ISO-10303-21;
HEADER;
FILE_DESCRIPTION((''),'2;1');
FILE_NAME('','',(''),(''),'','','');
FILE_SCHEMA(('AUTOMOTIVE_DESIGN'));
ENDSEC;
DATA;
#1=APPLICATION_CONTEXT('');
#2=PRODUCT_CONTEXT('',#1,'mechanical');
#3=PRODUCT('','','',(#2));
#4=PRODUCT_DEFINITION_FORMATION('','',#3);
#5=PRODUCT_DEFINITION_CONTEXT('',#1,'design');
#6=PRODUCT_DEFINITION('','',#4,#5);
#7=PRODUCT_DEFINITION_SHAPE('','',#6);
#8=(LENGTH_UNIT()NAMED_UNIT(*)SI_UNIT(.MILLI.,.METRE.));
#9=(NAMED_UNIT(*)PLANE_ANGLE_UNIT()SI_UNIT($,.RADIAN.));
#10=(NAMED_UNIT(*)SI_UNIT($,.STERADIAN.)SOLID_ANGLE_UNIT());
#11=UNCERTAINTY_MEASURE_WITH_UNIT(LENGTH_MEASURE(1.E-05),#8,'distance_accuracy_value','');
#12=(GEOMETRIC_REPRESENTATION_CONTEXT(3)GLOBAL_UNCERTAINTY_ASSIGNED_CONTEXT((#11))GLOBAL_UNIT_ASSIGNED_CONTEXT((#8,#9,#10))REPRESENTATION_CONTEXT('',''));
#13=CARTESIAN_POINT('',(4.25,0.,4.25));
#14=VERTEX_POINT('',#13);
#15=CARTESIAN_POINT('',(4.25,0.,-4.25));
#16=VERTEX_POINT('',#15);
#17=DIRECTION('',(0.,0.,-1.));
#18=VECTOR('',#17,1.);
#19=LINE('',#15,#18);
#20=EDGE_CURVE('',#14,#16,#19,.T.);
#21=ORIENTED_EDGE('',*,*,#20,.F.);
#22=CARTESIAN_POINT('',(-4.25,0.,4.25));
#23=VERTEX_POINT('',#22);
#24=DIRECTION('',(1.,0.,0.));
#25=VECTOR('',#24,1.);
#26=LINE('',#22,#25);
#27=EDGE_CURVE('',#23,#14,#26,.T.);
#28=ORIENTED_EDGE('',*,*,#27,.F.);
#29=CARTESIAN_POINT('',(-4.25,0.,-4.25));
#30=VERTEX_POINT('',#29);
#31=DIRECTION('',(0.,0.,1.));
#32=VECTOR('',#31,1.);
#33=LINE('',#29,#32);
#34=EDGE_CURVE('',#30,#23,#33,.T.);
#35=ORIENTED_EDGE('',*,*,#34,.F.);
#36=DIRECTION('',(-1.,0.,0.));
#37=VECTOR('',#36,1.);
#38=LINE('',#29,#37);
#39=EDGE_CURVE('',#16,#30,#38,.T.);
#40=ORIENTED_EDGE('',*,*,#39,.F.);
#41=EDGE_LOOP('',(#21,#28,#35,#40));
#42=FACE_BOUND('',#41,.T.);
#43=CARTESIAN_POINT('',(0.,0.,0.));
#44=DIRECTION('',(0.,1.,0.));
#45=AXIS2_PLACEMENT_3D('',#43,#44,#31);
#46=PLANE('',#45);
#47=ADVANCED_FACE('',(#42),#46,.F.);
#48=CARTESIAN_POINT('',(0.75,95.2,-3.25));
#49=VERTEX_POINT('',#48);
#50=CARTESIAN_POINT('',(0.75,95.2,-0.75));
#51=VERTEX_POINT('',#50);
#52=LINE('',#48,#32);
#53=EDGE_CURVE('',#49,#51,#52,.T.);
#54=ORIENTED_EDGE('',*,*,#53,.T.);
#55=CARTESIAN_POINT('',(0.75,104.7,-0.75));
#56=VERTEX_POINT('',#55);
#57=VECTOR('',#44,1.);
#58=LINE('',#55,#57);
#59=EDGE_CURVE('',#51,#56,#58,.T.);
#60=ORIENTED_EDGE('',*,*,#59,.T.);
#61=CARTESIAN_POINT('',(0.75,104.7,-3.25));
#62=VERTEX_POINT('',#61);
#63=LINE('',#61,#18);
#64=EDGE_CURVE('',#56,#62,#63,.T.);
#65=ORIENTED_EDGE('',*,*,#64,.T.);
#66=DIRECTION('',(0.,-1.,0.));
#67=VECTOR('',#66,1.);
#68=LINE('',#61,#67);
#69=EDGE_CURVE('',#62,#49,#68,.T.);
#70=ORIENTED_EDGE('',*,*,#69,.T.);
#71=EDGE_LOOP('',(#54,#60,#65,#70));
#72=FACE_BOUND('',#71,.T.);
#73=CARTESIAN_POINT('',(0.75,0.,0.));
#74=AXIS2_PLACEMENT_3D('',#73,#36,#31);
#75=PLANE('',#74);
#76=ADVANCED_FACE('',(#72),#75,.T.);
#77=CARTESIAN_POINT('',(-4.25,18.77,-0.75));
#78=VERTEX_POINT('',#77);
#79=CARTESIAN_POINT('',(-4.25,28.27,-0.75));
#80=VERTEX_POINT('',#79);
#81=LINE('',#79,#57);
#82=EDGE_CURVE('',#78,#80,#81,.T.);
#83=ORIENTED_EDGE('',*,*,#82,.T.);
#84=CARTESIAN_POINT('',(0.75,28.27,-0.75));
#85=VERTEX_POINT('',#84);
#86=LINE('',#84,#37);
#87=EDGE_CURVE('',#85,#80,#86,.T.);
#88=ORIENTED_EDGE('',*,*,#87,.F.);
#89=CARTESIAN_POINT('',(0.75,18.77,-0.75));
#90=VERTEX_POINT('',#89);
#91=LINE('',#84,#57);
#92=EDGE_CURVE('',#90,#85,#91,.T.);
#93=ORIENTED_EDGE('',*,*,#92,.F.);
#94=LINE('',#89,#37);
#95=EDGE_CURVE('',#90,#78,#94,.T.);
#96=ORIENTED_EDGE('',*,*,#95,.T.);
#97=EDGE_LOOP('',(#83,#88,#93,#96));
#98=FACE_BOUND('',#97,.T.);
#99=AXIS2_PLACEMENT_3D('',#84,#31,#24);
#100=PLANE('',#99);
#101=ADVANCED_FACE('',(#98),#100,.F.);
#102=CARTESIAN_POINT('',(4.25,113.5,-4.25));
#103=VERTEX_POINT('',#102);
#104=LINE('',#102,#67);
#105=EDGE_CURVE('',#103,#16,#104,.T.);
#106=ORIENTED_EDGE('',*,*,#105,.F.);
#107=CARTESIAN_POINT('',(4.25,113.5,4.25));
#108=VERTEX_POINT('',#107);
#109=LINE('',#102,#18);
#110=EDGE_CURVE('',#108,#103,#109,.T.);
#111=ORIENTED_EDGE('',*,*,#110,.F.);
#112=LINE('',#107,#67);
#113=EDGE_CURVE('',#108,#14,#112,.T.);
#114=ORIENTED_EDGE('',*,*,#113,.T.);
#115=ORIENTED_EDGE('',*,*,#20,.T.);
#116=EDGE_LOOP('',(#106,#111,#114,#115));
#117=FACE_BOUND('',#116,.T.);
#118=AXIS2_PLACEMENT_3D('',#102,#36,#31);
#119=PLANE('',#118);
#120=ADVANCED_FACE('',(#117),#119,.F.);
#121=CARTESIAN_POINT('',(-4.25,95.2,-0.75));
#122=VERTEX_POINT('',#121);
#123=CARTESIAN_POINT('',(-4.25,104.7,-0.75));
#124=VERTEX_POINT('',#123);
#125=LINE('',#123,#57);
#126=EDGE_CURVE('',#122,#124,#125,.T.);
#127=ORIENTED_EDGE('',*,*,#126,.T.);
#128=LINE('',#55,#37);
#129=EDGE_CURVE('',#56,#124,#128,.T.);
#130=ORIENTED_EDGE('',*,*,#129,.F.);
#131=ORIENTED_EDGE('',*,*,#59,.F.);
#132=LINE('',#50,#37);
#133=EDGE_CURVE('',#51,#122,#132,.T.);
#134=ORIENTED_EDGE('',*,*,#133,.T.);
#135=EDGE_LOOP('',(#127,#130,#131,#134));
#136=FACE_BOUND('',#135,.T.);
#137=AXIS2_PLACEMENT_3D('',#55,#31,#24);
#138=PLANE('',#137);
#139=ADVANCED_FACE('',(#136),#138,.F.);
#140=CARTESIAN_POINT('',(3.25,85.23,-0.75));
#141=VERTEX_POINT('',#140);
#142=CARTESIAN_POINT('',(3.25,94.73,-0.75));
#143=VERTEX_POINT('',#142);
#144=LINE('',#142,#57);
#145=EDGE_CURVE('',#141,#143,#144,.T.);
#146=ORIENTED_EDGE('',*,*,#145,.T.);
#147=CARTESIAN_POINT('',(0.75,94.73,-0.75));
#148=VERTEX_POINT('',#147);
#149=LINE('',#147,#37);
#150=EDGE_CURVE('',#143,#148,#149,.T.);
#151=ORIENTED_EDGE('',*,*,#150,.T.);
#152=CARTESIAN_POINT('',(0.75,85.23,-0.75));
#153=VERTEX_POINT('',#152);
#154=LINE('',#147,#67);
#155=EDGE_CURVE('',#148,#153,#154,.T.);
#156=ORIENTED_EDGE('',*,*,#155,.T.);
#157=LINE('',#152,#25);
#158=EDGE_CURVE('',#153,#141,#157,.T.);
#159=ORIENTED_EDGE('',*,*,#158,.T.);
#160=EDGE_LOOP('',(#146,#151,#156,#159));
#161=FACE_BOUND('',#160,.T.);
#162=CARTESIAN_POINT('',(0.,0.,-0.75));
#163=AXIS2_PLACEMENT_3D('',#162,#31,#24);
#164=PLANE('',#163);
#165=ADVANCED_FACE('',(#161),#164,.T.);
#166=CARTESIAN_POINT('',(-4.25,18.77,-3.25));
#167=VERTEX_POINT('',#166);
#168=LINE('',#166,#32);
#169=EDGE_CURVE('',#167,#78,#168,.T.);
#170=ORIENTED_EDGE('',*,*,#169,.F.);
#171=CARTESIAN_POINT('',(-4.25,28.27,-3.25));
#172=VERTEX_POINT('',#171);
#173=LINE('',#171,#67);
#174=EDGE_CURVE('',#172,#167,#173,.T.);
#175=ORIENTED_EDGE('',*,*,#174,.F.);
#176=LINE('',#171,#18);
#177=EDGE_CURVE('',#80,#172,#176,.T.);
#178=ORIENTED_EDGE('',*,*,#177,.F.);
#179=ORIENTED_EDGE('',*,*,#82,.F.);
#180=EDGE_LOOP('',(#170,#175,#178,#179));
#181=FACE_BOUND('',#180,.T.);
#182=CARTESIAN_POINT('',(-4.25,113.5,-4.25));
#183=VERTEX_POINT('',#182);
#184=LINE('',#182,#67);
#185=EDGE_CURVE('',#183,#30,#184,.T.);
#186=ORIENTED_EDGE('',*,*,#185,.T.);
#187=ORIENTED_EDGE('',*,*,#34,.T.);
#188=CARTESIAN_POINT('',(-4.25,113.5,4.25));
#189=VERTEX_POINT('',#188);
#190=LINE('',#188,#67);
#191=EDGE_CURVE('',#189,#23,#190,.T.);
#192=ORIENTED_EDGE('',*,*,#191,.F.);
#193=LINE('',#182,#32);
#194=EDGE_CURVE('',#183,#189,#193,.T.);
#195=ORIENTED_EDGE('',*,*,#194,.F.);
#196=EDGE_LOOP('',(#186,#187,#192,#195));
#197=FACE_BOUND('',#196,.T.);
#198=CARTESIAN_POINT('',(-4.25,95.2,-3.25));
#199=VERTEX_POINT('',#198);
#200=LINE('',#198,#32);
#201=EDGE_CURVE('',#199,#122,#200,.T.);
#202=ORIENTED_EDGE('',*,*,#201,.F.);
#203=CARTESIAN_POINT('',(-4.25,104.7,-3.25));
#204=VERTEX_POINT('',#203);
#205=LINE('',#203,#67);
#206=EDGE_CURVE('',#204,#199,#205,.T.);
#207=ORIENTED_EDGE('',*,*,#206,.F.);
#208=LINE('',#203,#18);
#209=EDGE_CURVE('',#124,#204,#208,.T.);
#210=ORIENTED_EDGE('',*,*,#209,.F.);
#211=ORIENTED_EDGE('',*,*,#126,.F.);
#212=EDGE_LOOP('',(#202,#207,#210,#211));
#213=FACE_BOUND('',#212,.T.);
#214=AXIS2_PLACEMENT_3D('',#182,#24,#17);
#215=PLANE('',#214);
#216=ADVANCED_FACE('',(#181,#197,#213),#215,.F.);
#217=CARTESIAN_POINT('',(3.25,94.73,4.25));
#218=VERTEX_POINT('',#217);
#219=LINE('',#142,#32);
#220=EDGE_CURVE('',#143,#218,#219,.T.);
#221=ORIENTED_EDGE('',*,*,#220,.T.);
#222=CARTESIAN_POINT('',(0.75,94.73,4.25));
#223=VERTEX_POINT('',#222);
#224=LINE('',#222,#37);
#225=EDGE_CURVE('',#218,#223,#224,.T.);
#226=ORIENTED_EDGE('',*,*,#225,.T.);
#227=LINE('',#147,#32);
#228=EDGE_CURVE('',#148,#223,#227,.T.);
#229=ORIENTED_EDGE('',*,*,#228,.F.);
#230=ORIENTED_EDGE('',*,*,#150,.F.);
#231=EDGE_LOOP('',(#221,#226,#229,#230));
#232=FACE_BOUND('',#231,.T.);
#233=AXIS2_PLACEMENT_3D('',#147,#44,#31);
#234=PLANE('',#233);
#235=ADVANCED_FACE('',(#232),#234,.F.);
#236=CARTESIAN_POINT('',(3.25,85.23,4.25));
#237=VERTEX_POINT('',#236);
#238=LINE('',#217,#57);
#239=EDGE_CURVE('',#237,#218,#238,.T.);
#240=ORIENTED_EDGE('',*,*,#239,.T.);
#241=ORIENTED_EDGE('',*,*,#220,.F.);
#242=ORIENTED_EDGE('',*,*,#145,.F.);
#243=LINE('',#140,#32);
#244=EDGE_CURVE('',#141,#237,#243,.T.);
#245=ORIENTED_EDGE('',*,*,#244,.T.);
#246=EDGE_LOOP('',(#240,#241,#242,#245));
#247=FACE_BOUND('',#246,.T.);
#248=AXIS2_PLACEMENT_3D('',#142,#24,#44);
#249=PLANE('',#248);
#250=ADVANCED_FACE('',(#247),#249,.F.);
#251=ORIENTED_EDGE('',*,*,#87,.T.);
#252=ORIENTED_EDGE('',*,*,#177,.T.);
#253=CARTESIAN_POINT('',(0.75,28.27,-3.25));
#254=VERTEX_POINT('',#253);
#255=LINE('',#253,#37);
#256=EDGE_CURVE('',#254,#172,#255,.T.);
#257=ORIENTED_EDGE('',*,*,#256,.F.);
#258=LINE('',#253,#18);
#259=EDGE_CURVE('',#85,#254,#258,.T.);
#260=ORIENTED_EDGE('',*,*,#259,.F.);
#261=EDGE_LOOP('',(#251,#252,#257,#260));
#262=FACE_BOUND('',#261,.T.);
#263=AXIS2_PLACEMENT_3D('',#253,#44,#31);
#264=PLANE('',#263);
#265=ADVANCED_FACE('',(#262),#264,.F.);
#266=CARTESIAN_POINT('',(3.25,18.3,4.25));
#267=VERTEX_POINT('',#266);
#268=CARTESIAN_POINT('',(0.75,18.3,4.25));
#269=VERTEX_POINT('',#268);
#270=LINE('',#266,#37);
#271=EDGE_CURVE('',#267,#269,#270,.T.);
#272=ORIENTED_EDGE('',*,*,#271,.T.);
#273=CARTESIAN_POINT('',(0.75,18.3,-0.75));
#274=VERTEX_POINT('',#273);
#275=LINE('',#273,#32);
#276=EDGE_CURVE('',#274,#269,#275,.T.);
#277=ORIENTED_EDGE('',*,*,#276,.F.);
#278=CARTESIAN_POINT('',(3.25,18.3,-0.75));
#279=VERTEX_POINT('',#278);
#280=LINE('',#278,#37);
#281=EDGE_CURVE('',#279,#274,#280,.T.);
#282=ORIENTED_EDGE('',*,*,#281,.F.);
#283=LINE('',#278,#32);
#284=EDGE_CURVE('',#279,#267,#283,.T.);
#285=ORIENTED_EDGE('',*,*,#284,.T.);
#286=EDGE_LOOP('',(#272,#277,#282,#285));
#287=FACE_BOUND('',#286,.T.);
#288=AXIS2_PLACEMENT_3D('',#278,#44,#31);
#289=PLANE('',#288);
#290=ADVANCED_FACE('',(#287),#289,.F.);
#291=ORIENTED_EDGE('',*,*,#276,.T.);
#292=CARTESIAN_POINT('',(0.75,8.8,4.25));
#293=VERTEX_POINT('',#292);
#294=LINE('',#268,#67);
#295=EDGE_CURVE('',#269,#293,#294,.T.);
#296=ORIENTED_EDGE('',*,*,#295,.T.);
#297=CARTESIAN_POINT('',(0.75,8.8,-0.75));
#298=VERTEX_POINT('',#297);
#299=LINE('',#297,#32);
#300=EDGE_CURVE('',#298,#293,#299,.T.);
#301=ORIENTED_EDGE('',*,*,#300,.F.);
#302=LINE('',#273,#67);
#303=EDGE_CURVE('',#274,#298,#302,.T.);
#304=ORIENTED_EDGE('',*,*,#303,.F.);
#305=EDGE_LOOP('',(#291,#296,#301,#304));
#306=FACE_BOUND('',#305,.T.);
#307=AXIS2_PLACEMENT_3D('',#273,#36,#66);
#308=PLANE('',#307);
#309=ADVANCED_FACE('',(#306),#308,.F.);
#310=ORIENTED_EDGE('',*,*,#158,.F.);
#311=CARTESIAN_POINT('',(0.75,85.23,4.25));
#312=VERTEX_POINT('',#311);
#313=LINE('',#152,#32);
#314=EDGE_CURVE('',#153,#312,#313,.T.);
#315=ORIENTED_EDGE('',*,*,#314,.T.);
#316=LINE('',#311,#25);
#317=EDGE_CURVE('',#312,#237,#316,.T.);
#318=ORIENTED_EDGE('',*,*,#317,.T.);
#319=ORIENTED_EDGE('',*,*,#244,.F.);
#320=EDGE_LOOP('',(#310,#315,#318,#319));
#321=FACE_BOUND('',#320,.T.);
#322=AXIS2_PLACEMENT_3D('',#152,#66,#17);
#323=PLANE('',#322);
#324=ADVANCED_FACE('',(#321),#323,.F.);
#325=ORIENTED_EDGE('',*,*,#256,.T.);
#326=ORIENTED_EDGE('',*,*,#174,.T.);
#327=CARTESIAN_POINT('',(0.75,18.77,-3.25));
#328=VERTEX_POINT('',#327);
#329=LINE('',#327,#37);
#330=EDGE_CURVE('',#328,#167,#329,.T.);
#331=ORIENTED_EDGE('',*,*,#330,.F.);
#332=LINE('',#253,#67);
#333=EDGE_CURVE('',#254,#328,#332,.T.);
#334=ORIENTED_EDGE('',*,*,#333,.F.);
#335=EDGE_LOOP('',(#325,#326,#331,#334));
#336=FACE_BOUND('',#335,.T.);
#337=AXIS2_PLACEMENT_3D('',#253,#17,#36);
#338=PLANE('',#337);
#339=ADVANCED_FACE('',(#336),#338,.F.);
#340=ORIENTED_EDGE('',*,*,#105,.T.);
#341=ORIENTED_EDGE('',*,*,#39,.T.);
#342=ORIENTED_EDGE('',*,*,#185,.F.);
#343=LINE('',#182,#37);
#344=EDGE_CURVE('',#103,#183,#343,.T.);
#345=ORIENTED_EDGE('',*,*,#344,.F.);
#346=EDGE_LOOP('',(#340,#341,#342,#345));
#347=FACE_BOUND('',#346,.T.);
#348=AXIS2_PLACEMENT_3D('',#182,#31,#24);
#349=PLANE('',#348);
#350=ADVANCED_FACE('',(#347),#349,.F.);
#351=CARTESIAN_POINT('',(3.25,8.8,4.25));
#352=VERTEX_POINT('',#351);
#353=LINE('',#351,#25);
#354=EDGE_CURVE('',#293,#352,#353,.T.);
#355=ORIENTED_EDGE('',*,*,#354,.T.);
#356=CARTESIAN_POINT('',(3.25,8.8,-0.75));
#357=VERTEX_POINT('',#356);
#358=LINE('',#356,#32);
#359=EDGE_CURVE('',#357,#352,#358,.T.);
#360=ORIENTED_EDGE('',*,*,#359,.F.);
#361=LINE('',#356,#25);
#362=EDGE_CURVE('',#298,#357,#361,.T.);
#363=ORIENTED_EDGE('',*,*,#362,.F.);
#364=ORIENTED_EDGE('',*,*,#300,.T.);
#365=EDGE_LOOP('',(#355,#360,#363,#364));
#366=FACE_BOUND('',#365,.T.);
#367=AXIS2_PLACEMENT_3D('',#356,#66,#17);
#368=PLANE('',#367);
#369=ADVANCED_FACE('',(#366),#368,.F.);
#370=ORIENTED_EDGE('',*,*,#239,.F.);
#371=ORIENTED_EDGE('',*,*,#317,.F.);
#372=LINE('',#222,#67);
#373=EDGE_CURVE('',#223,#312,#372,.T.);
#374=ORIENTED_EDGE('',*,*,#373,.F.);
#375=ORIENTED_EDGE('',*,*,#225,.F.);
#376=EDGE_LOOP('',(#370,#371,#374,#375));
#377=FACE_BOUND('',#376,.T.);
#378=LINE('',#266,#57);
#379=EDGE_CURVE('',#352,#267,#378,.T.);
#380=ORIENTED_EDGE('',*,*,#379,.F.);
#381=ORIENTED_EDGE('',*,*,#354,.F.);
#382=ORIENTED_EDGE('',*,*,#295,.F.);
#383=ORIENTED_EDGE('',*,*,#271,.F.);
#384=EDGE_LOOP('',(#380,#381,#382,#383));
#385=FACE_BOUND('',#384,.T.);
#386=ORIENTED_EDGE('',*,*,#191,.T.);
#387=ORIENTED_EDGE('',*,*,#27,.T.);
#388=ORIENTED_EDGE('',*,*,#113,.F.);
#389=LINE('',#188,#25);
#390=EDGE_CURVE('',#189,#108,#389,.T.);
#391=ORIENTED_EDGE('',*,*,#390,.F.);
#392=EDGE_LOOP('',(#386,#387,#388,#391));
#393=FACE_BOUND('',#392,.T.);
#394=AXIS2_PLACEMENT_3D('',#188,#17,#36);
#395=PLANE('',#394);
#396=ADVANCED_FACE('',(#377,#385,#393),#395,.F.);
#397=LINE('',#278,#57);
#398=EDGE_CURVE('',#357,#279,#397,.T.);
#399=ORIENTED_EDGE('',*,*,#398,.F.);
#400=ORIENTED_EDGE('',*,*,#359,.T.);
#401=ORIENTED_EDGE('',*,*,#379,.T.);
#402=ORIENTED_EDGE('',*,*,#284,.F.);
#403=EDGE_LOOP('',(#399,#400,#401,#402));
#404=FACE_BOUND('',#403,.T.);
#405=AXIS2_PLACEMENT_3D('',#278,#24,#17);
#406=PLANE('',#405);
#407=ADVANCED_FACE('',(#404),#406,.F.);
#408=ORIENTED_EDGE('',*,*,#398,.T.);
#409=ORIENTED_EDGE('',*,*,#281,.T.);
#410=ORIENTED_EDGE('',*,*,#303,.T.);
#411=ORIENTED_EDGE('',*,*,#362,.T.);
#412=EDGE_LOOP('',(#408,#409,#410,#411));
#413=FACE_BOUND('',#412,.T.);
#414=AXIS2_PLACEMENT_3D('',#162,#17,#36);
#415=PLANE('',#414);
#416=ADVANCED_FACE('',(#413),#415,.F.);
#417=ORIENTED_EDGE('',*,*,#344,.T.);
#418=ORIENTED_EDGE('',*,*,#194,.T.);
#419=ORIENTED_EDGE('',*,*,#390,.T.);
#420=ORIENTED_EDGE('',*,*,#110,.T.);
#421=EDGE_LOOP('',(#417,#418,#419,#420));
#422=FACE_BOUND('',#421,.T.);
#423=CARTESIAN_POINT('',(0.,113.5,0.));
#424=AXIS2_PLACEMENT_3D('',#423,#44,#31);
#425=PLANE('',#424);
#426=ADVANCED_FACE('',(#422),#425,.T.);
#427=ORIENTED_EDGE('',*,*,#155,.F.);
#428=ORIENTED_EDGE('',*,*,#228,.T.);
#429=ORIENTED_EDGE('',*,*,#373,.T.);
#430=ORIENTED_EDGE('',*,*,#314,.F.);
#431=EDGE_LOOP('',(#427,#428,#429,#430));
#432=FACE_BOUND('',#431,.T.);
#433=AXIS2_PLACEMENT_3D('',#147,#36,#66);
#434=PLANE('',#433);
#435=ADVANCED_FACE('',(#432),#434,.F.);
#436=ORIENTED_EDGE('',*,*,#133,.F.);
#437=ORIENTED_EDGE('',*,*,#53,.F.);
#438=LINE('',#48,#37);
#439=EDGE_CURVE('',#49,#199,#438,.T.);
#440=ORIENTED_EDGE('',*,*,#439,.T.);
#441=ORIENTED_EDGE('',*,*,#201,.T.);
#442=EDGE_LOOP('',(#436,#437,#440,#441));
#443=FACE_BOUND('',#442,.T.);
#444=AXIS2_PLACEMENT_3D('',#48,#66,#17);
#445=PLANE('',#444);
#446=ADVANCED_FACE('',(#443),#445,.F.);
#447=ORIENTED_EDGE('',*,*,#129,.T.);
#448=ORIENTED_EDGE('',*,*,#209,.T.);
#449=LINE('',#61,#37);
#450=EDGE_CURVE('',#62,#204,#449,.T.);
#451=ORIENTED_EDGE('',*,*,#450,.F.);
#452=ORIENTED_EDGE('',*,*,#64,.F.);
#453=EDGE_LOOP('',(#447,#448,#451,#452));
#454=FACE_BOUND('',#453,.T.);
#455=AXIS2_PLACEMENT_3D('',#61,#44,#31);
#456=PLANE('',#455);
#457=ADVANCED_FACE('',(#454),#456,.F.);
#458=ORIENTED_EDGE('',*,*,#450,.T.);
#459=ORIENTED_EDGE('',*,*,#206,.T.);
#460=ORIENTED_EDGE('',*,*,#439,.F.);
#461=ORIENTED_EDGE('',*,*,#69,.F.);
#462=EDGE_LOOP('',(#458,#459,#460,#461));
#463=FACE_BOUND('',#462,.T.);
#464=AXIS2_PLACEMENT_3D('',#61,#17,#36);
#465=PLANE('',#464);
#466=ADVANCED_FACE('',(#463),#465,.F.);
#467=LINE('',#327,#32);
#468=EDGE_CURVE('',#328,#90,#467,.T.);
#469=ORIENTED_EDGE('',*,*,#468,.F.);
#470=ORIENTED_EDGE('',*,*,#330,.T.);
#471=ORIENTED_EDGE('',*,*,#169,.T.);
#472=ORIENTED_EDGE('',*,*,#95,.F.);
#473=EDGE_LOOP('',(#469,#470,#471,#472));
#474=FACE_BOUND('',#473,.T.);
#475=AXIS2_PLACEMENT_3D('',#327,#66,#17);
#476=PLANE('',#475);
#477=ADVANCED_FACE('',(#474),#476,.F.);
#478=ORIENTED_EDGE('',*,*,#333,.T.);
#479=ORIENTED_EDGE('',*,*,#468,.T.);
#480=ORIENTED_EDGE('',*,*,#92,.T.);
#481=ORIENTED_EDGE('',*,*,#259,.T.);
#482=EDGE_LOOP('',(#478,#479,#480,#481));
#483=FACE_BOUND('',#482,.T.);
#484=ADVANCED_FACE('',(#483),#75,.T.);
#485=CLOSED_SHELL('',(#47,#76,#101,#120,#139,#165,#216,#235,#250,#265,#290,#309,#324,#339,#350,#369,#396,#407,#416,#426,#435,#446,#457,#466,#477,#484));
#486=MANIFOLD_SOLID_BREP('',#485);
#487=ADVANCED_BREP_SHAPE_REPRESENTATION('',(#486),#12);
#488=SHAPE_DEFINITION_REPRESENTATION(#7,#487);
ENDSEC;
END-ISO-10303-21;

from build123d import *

# Parameters (mm, degrees)
SKETCH1_W           = 8.5
SKETCH1_H           = 8.5
BOSS_EXTRUDE1_DEPTH = 113.5
SKETCH2_W           = 2.5
SKETCH2_H           = 9.5
CUT_EXTRUDE1_DEPTH  = 5
SKETCH3_W           = 2.5
SKETCH3_H           = 9.5
CUT_EXTRUDE2_DEPTH  = 5


with BuildPart() as part:
    # Sketch1 → Boss-Extrude1 (new body)
    with BuildSketch(Plane(origin=(0, 0, 0), x_dir=(1, 0, 0), z_dir=(0, 1, 0))):
        Rectangle(SKETCH1_W, SKETCH1_H)
    extrude(amount=BOSS_EXTRUDE1_DEPTH)

    # Sketch2 → Cut-Extrude1 (cut)
    with BuildSketch(Plane.XY.offset(4.25)):
        with Locations((2, 13.55)):
            Rectangle(SKETCH2_W, SKETCH2_H)
        with Locations((2, 89.98)):
            Rectangle(SKETCH2_W, SKETCH2_H)
    extrude(amount=-CUT_EXTRUDE1_DEPTH, mode=Mode.SUBTRACT)

    # Sketch3 → Cut-Extrude2 (cut)
    with BuildSketch(Plane.ZY.offset(4.25)):
        with Locations((-2, 99.95)):
            Rectangle(SKETCH3_W, SKETCH3_H)
        with Locations((-2, 23.52)):
            Rectangle(SKETCH3_W, SKETCH3_H)
    extrude(amount=-CUT_EXTRUDE2_DEPTH, mode=Mode.SUBTRACT)


solid = part.part
